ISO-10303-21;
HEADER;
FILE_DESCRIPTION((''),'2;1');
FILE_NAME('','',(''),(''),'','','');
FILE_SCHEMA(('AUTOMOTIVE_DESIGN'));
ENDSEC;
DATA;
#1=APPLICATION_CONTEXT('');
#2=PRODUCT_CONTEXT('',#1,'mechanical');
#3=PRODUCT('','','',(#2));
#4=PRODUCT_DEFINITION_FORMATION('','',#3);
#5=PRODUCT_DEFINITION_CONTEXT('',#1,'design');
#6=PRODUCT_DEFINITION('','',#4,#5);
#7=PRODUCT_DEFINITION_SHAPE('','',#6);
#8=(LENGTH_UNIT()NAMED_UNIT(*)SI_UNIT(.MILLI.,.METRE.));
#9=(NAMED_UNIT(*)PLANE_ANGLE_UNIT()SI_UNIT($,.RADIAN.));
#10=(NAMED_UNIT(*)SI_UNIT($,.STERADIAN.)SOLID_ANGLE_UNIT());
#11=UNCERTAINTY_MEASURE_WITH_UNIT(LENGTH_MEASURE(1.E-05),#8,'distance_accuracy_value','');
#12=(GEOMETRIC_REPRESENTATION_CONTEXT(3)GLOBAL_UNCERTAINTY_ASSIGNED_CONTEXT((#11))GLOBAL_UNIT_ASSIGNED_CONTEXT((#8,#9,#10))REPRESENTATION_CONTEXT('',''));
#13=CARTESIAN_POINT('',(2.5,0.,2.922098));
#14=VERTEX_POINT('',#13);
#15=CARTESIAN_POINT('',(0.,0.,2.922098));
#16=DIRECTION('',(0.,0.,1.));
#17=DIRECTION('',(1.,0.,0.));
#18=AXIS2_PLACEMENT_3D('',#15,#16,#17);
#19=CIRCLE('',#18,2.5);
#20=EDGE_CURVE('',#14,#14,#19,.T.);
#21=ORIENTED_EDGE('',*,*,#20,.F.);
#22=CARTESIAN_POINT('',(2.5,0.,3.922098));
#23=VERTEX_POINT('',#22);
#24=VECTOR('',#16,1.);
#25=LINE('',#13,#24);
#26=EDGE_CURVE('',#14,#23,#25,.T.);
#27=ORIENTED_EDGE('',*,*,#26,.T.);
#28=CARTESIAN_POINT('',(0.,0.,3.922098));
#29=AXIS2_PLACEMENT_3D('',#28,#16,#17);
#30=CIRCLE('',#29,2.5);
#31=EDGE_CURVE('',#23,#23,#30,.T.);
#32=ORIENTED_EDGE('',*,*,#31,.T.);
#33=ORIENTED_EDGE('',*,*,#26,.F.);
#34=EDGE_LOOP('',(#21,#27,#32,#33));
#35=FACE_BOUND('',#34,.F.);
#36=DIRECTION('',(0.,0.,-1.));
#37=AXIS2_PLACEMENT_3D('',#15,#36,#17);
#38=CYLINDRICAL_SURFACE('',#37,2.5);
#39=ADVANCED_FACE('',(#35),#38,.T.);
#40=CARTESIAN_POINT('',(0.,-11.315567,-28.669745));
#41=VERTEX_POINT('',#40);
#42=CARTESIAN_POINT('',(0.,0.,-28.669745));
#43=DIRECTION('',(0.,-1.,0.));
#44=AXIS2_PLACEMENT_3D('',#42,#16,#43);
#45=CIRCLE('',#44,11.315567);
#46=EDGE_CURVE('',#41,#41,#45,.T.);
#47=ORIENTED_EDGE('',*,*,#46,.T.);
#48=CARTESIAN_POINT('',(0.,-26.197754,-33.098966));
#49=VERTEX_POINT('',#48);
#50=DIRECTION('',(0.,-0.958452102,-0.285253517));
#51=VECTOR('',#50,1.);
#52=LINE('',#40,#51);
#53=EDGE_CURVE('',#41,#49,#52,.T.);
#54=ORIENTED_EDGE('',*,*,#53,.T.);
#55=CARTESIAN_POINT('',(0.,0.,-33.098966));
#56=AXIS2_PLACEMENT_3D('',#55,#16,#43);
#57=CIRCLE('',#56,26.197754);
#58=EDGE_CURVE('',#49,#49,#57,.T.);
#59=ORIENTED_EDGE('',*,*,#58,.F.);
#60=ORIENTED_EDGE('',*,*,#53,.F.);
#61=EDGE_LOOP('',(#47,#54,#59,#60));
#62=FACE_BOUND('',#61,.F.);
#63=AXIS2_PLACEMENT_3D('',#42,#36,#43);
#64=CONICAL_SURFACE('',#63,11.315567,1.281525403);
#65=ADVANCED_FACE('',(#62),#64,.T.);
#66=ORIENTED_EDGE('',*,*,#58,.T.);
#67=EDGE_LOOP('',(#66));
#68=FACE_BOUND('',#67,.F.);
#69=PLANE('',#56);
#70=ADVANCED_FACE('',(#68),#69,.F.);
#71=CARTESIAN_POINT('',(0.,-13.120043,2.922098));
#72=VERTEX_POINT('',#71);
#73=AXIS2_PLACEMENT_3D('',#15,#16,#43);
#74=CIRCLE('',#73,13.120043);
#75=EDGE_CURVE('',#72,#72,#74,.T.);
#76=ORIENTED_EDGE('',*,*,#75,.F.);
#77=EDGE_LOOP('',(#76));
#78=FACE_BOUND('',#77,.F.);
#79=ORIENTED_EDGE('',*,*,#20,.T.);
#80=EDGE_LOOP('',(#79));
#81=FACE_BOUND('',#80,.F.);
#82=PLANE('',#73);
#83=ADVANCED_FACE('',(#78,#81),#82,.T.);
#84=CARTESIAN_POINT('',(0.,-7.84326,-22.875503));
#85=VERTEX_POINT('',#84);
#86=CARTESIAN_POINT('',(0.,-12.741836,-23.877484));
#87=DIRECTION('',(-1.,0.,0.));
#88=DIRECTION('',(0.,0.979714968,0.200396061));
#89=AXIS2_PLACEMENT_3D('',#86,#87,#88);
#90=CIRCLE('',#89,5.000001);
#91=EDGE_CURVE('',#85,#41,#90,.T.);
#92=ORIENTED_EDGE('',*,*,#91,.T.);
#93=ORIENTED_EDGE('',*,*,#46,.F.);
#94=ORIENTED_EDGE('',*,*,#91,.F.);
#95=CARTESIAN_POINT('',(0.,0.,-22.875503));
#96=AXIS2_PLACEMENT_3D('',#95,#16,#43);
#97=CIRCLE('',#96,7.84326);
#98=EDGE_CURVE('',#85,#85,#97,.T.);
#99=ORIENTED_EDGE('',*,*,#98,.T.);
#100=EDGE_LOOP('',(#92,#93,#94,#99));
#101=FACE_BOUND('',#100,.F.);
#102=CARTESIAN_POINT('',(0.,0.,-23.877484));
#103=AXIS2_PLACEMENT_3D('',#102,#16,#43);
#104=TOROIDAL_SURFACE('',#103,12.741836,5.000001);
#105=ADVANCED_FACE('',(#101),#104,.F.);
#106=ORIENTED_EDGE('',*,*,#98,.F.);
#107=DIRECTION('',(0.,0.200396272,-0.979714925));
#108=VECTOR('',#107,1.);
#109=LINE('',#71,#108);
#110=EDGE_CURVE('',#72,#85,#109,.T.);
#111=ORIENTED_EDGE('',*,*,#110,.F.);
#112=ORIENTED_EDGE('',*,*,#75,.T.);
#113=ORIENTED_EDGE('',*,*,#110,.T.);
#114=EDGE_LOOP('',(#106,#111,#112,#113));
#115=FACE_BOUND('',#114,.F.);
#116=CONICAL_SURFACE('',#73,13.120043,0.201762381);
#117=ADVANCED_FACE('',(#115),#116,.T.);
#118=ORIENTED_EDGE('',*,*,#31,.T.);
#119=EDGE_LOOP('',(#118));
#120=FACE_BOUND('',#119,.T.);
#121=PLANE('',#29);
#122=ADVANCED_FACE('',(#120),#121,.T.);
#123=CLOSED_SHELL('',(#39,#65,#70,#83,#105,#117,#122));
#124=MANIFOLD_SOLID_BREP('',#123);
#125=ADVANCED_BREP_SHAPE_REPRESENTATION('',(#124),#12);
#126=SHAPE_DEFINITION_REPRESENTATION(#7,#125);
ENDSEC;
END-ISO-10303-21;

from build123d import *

# Parameters (mm, degrees)
F2_R     = 2.5
F3_DEPTH = 1


with BuildPart() as f1:
    # F0 (on Right) → F1 (revolve)
    with BuildSketch(Plane.YZ):
        with BuildLine():
            Line((0, 2.922098), (-13.120043, 2.922098))
            Line((-13.120043, 2.922098), (-7.84326, -22.875503))
            ThreePointArc((-7.84326, -22.875503), (-8.452987, -26.447656), (-11.315567, -28.669745))
            Line((-11.315567, -28.669745), (-26.197754, -33.098966))
            Line((-26.197754, -33.098966), (0, -33.098966))
            Line((0, -33.098966), (0, 2.922098))
        make_face()
    revolve(axis=Axis((0, 0, -15.088434), (0, 0, 1)))

    # F2 (on face) → F3 (join)
    with BuildSketch(Plane.XY.offset(2.922098)):
        Circle(F2_R)
    extrude(amount=F3_DEPTH)


solid = f1.part
